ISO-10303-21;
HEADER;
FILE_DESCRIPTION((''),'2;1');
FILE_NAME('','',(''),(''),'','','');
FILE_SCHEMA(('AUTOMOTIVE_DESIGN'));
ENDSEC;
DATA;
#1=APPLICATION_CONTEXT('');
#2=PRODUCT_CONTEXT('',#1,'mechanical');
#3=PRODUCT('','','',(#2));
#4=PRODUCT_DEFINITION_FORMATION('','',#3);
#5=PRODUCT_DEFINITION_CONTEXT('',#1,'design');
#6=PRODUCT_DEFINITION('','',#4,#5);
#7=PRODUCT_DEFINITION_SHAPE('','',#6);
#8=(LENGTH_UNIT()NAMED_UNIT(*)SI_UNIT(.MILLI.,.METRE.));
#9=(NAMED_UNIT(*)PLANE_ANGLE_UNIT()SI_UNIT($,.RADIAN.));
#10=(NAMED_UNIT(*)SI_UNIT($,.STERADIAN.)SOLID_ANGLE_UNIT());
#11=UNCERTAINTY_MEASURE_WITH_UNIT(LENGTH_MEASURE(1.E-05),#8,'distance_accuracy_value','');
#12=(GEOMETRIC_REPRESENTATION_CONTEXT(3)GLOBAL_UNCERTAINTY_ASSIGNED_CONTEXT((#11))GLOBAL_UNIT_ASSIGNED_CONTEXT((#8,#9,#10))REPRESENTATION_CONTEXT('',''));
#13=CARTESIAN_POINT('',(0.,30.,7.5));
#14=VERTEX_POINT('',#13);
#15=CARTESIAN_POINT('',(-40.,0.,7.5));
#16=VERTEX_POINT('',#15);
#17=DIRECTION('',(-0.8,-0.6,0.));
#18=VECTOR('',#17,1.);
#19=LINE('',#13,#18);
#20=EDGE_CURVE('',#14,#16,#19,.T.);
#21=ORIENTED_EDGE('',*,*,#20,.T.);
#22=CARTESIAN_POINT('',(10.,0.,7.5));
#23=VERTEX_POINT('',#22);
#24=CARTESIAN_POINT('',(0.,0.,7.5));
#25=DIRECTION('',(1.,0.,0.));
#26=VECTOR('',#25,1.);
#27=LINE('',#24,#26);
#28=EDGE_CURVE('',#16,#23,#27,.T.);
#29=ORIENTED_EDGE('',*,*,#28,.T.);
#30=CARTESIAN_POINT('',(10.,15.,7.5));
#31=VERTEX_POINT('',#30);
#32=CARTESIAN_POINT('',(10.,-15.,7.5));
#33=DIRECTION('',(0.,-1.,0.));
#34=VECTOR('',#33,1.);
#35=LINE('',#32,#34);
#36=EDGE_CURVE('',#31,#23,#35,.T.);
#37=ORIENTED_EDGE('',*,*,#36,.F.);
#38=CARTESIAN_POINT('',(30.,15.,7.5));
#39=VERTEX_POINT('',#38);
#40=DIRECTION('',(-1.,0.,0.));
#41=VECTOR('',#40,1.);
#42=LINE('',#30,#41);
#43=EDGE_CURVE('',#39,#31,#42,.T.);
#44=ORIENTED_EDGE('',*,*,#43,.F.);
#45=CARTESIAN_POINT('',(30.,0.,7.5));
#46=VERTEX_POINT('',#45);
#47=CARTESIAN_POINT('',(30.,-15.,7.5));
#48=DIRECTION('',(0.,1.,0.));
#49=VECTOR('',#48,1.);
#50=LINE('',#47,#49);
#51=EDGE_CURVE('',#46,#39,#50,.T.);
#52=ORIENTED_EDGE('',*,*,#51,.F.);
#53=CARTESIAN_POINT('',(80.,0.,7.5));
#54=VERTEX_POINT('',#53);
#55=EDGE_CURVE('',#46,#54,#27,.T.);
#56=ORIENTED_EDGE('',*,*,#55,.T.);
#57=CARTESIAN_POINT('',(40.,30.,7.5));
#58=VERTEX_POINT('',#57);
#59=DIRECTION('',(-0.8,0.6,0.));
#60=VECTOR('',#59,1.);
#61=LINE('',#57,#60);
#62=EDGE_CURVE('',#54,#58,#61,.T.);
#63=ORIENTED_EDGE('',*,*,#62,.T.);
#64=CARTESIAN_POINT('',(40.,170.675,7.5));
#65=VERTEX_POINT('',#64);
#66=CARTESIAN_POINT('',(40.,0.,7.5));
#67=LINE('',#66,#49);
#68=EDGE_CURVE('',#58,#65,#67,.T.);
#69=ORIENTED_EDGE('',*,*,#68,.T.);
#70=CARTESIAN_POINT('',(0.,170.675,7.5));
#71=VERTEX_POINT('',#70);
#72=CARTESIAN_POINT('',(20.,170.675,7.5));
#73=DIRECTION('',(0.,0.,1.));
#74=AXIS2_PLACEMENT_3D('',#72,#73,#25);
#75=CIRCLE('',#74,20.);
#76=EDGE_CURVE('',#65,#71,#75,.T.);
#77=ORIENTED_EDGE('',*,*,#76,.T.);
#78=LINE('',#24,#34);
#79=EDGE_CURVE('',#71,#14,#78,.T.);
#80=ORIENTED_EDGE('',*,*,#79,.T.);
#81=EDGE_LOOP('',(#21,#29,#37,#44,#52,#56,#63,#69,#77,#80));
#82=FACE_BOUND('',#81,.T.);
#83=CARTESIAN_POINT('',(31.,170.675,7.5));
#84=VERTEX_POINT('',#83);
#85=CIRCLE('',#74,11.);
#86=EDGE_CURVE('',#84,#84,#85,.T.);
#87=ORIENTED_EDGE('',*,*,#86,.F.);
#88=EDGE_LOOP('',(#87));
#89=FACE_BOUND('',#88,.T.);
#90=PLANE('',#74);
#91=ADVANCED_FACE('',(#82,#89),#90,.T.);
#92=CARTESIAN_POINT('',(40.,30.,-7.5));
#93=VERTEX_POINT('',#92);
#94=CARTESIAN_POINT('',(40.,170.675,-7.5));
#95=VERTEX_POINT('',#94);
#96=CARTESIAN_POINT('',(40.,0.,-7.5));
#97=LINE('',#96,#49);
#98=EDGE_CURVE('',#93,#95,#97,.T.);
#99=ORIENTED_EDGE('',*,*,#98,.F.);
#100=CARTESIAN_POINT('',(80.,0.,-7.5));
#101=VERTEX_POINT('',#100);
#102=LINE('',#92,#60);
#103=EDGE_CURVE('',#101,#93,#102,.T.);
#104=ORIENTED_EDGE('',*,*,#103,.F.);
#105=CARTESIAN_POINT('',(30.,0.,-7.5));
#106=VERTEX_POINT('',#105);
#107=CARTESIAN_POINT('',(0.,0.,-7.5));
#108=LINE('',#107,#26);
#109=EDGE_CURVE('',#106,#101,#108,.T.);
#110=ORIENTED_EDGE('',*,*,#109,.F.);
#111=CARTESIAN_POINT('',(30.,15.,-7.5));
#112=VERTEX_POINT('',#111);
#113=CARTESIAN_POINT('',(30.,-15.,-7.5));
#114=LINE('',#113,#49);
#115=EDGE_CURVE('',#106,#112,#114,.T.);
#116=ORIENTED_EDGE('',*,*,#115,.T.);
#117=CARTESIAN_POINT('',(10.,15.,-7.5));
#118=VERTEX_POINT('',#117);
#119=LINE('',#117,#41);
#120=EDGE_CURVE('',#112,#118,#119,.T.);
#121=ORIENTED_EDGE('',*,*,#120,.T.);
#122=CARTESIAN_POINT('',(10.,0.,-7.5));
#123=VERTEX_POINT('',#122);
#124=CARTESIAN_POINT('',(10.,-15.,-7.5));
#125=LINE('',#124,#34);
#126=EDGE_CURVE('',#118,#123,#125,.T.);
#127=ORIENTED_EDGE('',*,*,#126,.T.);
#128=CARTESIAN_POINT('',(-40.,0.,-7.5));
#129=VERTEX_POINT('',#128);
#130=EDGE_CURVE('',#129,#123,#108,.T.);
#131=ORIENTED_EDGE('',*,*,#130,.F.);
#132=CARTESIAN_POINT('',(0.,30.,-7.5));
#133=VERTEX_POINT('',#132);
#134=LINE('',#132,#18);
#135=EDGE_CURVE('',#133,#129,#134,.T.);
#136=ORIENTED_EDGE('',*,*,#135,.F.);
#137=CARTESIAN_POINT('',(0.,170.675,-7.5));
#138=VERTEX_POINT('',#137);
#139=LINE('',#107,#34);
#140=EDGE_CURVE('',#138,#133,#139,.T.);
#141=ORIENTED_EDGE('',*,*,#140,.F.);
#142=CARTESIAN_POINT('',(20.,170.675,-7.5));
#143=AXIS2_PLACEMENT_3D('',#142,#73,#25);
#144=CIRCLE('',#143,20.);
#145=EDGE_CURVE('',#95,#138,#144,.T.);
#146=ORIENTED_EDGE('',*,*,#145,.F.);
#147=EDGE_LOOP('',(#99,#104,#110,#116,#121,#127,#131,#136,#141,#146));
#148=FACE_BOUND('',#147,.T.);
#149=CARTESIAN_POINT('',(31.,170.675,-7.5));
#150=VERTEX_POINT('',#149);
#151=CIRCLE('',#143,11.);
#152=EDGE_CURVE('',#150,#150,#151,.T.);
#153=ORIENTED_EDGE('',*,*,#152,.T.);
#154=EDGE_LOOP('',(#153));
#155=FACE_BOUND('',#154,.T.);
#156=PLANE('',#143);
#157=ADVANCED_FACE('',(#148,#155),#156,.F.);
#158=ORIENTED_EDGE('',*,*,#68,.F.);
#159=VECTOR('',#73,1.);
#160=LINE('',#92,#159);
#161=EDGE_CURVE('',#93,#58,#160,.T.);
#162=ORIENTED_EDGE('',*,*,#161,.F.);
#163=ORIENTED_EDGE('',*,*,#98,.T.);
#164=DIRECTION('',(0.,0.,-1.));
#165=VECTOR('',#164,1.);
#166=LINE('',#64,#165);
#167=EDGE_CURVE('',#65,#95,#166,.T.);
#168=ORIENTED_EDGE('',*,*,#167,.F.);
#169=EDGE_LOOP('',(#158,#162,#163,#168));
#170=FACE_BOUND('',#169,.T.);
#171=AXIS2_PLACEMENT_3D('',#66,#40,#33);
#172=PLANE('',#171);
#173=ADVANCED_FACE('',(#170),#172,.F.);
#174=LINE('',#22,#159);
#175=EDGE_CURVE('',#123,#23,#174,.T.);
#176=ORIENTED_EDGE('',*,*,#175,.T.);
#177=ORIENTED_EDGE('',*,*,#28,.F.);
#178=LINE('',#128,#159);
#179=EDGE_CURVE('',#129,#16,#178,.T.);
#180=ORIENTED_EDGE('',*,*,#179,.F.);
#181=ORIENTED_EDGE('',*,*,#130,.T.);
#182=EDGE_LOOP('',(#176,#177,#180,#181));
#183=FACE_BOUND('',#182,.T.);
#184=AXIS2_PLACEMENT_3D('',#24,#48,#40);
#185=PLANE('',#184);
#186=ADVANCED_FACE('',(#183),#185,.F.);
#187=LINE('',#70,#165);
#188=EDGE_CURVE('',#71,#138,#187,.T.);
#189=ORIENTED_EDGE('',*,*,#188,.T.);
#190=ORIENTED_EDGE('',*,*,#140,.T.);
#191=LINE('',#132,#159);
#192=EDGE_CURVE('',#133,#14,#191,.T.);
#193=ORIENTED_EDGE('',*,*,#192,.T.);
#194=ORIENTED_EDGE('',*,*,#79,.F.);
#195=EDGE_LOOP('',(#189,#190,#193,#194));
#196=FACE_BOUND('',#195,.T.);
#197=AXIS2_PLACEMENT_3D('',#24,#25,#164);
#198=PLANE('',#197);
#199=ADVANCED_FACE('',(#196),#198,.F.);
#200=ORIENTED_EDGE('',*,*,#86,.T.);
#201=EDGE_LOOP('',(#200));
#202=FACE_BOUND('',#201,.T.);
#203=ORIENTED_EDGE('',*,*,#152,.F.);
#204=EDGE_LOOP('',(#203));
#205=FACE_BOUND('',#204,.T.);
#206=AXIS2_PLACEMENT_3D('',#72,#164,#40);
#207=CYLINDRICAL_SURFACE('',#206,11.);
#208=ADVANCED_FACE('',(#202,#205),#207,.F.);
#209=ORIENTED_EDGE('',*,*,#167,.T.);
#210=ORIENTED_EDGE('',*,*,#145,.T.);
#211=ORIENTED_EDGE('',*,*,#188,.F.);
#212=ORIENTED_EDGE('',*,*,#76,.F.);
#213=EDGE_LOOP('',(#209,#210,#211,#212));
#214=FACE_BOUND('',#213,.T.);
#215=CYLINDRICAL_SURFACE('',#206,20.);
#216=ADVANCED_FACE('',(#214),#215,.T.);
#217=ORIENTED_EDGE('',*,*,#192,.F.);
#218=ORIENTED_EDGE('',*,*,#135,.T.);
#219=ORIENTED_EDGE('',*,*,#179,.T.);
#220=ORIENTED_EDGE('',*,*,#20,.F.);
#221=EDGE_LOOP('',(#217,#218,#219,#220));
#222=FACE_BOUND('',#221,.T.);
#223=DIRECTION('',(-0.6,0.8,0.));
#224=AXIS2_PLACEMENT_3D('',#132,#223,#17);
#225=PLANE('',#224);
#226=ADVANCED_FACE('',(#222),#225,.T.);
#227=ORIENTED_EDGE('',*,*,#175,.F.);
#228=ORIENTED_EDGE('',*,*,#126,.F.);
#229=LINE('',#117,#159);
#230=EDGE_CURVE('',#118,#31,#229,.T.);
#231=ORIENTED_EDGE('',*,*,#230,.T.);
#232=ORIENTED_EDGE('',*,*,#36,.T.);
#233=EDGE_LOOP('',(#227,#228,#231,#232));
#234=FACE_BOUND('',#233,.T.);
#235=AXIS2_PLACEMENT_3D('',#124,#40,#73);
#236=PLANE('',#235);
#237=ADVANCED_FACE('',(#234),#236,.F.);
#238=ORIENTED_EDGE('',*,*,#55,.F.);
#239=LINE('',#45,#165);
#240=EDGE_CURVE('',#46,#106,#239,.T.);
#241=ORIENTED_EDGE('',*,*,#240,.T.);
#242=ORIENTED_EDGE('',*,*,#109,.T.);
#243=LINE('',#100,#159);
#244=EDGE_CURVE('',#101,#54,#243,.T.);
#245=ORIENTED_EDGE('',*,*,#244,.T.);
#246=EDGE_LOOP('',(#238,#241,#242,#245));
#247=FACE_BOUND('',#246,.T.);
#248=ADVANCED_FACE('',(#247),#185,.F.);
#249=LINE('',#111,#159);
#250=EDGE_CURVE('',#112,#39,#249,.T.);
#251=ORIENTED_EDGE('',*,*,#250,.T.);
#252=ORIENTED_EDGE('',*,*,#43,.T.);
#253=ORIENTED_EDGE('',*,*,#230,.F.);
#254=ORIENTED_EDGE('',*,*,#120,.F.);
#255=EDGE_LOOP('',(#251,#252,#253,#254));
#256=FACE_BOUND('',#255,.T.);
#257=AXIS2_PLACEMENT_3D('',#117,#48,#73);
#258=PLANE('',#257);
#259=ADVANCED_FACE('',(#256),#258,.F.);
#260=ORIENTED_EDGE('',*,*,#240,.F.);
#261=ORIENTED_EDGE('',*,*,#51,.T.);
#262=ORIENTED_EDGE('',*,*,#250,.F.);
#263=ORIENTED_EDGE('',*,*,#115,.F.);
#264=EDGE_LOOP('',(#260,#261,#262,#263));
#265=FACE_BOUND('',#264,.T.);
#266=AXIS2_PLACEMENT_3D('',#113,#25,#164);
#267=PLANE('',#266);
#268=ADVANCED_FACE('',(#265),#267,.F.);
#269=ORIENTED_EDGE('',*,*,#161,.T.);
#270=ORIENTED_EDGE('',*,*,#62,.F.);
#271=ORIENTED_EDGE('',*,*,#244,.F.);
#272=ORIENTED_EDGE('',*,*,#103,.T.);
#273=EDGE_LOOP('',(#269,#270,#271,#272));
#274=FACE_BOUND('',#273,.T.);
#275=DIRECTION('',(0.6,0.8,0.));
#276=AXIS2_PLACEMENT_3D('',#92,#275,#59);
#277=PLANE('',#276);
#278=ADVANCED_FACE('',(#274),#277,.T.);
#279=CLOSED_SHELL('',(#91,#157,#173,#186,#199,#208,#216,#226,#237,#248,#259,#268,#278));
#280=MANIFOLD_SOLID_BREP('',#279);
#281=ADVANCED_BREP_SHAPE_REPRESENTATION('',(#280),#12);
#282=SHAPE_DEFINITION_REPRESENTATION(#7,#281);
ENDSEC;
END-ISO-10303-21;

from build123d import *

# Parameters (mm, degrees)
CROQUIS1_R              = 11
SALIENTE_EXTRUIR1_DEPTH = 7.5
CROQUIS2_W              = 20
CROQUIS2_H              = 30
CORTAR_EXTRUIR1_DEPTH   = 16
SALIENTE_EXTRUIR2_DEPTH = 15


with BuildPart() as part:
    # Croquis1 → Saliente-Extruir1 (new body, symmetric)
    with BuildSketch(Plane.XY):
        with BuildLine():
            Line((0, 0), (40, 0))
            Line((40, 0), (40, 170.675))
            ThreePointArc((40, 170.675), (20, 190.675), (0, 170.675))
            Line((0, 170.675), (0, 0))
        make_face()
        with Locations((20, 170.675)):
            Circle(CROQUIS1_R, mode=Mode.SUBTRACT)
    extrude(amount=SALIENTE_EXTRUIR1_DEPTH, both=True)

    # Croquis2 → Cortar-Extruir1 (cut, through all)
    with BuildSketch(Plane.XY.offset(7.5)):
        with Locations((20, 0)):
            Rectangle(CROQUIS2_W, CROQUIS2_H)
    extrude(amount=-CORTAR_EXTRUIR1_DEPTH, mode=Mode.SUBTRACT)

    # Croquis3 → Saliente-Extruir2 (add)
    with BuildSketch(Plane.XY.offset(7.5)):
        Polygon((40, 30), (80, 0), (40, 0), align=None)
        Polygon((0, 30), (0, 0), (-40, 0), align=None)
    extrude(amount=-SALIENTE_EXTRUIR2_DEPTH)


solid = part.part
